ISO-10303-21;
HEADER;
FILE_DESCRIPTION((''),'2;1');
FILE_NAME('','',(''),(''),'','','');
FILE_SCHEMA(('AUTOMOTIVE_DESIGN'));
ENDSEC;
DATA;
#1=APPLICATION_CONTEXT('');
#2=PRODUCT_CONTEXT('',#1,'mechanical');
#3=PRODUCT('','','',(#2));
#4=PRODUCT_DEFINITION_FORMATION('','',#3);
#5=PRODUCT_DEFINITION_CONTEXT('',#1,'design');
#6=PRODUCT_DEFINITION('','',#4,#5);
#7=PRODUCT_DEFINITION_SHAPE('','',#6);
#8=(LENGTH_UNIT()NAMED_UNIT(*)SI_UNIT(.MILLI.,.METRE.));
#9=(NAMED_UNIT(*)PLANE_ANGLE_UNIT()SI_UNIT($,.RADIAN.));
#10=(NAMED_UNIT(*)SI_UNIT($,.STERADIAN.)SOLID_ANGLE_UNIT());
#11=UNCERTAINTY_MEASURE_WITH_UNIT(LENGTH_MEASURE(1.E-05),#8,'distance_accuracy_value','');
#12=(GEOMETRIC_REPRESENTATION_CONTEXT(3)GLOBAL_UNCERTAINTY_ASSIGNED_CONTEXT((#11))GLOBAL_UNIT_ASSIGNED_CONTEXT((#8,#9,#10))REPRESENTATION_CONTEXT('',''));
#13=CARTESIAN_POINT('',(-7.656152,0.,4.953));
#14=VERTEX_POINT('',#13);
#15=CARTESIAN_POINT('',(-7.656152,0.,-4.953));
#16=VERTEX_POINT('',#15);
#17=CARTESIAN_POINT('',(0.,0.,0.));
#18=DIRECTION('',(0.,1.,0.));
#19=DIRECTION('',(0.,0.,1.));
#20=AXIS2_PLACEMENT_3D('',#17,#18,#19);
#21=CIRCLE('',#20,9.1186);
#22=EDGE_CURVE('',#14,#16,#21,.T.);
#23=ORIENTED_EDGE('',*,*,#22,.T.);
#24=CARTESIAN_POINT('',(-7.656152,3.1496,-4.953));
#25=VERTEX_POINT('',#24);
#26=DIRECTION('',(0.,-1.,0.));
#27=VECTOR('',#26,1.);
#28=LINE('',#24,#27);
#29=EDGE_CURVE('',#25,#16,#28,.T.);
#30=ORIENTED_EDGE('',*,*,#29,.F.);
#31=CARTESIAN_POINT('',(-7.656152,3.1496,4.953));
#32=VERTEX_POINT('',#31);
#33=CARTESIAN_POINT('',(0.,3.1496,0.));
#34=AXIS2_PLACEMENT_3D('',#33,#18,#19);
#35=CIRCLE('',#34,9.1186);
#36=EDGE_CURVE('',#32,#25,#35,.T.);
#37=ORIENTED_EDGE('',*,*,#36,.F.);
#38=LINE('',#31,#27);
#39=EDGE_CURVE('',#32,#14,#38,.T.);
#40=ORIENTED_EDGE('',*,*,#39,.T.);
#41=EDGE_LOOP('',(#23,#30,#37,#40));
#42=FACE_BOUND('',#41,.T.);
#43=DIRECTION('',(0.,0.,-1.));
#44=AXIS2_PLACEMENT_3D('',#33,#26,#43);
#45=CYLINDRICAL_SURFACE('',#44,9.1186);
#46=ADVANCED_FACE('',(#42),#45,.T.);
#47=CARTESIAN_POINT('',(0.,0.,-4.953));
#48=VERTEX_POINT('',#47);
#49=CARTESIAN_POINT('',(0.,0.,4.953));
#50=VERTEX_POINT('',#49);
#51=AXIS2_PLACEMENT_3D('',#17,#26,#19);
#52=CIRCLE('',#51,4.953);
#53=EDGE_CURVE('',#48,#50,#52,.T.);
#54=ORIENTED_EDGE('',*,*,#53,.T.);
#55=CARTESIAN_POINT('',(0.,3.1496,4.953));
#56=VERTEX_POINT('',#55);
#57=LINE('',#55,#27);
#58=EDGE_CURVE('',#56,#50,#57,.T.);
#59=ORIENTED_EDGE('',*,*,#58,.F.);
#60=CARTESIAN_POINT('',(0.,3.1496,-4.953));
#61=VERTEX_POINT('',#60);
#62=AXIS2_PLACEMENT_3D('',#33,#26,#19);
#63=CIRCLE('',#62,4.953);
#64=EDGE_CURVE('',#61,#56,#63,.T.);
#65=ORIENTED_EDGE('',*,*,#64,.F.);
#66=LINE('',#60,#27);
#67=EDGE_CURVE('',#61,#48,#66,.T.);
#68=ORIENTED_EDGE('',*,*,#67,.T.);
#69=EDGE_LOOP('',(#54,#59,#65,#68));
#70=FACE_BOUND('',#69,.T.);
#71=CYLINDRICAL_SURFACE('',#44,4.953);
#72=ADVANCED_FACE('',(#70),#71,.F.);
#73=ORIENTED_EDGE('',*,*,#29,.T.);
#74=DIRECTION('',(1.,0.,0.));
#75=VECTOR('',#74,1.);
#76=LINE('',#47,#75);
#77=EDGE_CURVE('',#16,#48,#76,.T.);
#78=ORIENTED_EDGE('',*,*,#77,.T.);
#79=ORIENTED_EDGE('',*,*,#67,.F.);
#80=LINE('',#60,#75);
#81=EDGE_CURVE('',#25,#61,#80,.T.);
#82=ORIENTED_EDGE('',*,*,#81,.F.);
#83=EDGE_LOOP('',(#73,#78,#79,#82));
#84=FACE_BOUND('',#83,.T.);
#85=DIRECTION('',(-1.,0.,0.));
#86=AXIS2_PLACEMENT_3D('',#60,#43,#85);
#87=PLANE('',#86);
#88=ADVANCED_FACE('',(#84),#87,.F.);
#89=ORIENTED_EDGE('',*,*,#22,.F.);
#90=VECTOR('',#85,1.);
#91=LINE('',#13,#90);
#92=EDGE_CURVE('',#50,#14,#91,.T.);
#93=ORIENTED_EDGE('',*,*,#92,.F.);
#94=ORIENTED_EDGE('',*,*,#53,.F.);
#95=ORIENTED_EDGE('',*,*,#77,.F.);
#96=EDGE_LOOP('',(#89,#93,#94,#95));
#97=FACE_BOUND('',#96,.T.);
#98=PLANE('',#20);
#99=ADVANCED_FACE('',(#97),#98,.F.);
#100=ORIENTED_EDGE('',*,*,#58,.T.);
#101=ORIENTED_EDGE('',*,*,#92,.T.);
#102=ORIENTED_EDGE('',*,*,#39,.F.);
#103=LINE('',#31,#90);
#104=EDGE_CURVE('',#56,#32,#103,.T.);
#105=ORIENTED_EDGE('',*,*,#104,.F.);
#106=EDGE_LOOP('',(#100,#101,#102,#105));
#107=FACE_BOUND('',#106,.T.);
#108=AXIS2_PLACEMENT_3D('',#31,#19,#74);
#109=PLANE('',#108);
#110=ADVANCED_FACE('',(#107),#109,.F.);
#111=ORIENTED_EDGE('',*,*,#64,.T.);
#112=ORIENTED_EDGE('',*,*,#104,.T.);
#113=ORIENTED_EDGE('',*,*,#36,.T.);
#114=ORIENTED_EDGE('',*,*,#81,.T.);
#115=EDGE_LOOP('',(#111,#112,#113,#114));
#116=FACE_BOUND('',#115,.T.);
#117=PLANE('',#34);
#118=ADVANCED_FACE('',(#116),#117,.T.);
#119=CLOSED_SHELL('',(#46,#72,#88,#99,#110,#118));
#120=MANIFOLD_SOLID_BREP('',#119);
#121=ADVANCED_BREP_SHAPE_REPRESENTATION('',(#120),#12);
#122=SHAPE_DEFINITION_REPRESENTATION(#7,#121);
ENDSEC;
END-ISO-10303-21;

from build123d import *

# Parameters (mm, degrees)
BOSS_EXTRUDE1_DEPTH = 3.1496


with BuildPart() as part:
    # Sketch2 → Boss-Extrude1 (new body)
    with BuildSketch(Plane(origin=(0, 0, 0), x_dir=(1, 0, 0), z_dir=(0, 1, 0))):
        with BuildLine():
            Line((0, 4.953), (-7.656151576, 4.953))
            ThreePointArc((-7.656151576, 4.953), (9.1186, 0), (-7.656151576, -4.953))
            Line((-7.656151576, -4.953), (0, -4.953))
            ThreePointArc((0, -4.953), (4.953, 0), (0, 4.953))
        make_face()
    extrude(amount=BOSS_EXTRUDE1_DEPTH)


solid = part.part
